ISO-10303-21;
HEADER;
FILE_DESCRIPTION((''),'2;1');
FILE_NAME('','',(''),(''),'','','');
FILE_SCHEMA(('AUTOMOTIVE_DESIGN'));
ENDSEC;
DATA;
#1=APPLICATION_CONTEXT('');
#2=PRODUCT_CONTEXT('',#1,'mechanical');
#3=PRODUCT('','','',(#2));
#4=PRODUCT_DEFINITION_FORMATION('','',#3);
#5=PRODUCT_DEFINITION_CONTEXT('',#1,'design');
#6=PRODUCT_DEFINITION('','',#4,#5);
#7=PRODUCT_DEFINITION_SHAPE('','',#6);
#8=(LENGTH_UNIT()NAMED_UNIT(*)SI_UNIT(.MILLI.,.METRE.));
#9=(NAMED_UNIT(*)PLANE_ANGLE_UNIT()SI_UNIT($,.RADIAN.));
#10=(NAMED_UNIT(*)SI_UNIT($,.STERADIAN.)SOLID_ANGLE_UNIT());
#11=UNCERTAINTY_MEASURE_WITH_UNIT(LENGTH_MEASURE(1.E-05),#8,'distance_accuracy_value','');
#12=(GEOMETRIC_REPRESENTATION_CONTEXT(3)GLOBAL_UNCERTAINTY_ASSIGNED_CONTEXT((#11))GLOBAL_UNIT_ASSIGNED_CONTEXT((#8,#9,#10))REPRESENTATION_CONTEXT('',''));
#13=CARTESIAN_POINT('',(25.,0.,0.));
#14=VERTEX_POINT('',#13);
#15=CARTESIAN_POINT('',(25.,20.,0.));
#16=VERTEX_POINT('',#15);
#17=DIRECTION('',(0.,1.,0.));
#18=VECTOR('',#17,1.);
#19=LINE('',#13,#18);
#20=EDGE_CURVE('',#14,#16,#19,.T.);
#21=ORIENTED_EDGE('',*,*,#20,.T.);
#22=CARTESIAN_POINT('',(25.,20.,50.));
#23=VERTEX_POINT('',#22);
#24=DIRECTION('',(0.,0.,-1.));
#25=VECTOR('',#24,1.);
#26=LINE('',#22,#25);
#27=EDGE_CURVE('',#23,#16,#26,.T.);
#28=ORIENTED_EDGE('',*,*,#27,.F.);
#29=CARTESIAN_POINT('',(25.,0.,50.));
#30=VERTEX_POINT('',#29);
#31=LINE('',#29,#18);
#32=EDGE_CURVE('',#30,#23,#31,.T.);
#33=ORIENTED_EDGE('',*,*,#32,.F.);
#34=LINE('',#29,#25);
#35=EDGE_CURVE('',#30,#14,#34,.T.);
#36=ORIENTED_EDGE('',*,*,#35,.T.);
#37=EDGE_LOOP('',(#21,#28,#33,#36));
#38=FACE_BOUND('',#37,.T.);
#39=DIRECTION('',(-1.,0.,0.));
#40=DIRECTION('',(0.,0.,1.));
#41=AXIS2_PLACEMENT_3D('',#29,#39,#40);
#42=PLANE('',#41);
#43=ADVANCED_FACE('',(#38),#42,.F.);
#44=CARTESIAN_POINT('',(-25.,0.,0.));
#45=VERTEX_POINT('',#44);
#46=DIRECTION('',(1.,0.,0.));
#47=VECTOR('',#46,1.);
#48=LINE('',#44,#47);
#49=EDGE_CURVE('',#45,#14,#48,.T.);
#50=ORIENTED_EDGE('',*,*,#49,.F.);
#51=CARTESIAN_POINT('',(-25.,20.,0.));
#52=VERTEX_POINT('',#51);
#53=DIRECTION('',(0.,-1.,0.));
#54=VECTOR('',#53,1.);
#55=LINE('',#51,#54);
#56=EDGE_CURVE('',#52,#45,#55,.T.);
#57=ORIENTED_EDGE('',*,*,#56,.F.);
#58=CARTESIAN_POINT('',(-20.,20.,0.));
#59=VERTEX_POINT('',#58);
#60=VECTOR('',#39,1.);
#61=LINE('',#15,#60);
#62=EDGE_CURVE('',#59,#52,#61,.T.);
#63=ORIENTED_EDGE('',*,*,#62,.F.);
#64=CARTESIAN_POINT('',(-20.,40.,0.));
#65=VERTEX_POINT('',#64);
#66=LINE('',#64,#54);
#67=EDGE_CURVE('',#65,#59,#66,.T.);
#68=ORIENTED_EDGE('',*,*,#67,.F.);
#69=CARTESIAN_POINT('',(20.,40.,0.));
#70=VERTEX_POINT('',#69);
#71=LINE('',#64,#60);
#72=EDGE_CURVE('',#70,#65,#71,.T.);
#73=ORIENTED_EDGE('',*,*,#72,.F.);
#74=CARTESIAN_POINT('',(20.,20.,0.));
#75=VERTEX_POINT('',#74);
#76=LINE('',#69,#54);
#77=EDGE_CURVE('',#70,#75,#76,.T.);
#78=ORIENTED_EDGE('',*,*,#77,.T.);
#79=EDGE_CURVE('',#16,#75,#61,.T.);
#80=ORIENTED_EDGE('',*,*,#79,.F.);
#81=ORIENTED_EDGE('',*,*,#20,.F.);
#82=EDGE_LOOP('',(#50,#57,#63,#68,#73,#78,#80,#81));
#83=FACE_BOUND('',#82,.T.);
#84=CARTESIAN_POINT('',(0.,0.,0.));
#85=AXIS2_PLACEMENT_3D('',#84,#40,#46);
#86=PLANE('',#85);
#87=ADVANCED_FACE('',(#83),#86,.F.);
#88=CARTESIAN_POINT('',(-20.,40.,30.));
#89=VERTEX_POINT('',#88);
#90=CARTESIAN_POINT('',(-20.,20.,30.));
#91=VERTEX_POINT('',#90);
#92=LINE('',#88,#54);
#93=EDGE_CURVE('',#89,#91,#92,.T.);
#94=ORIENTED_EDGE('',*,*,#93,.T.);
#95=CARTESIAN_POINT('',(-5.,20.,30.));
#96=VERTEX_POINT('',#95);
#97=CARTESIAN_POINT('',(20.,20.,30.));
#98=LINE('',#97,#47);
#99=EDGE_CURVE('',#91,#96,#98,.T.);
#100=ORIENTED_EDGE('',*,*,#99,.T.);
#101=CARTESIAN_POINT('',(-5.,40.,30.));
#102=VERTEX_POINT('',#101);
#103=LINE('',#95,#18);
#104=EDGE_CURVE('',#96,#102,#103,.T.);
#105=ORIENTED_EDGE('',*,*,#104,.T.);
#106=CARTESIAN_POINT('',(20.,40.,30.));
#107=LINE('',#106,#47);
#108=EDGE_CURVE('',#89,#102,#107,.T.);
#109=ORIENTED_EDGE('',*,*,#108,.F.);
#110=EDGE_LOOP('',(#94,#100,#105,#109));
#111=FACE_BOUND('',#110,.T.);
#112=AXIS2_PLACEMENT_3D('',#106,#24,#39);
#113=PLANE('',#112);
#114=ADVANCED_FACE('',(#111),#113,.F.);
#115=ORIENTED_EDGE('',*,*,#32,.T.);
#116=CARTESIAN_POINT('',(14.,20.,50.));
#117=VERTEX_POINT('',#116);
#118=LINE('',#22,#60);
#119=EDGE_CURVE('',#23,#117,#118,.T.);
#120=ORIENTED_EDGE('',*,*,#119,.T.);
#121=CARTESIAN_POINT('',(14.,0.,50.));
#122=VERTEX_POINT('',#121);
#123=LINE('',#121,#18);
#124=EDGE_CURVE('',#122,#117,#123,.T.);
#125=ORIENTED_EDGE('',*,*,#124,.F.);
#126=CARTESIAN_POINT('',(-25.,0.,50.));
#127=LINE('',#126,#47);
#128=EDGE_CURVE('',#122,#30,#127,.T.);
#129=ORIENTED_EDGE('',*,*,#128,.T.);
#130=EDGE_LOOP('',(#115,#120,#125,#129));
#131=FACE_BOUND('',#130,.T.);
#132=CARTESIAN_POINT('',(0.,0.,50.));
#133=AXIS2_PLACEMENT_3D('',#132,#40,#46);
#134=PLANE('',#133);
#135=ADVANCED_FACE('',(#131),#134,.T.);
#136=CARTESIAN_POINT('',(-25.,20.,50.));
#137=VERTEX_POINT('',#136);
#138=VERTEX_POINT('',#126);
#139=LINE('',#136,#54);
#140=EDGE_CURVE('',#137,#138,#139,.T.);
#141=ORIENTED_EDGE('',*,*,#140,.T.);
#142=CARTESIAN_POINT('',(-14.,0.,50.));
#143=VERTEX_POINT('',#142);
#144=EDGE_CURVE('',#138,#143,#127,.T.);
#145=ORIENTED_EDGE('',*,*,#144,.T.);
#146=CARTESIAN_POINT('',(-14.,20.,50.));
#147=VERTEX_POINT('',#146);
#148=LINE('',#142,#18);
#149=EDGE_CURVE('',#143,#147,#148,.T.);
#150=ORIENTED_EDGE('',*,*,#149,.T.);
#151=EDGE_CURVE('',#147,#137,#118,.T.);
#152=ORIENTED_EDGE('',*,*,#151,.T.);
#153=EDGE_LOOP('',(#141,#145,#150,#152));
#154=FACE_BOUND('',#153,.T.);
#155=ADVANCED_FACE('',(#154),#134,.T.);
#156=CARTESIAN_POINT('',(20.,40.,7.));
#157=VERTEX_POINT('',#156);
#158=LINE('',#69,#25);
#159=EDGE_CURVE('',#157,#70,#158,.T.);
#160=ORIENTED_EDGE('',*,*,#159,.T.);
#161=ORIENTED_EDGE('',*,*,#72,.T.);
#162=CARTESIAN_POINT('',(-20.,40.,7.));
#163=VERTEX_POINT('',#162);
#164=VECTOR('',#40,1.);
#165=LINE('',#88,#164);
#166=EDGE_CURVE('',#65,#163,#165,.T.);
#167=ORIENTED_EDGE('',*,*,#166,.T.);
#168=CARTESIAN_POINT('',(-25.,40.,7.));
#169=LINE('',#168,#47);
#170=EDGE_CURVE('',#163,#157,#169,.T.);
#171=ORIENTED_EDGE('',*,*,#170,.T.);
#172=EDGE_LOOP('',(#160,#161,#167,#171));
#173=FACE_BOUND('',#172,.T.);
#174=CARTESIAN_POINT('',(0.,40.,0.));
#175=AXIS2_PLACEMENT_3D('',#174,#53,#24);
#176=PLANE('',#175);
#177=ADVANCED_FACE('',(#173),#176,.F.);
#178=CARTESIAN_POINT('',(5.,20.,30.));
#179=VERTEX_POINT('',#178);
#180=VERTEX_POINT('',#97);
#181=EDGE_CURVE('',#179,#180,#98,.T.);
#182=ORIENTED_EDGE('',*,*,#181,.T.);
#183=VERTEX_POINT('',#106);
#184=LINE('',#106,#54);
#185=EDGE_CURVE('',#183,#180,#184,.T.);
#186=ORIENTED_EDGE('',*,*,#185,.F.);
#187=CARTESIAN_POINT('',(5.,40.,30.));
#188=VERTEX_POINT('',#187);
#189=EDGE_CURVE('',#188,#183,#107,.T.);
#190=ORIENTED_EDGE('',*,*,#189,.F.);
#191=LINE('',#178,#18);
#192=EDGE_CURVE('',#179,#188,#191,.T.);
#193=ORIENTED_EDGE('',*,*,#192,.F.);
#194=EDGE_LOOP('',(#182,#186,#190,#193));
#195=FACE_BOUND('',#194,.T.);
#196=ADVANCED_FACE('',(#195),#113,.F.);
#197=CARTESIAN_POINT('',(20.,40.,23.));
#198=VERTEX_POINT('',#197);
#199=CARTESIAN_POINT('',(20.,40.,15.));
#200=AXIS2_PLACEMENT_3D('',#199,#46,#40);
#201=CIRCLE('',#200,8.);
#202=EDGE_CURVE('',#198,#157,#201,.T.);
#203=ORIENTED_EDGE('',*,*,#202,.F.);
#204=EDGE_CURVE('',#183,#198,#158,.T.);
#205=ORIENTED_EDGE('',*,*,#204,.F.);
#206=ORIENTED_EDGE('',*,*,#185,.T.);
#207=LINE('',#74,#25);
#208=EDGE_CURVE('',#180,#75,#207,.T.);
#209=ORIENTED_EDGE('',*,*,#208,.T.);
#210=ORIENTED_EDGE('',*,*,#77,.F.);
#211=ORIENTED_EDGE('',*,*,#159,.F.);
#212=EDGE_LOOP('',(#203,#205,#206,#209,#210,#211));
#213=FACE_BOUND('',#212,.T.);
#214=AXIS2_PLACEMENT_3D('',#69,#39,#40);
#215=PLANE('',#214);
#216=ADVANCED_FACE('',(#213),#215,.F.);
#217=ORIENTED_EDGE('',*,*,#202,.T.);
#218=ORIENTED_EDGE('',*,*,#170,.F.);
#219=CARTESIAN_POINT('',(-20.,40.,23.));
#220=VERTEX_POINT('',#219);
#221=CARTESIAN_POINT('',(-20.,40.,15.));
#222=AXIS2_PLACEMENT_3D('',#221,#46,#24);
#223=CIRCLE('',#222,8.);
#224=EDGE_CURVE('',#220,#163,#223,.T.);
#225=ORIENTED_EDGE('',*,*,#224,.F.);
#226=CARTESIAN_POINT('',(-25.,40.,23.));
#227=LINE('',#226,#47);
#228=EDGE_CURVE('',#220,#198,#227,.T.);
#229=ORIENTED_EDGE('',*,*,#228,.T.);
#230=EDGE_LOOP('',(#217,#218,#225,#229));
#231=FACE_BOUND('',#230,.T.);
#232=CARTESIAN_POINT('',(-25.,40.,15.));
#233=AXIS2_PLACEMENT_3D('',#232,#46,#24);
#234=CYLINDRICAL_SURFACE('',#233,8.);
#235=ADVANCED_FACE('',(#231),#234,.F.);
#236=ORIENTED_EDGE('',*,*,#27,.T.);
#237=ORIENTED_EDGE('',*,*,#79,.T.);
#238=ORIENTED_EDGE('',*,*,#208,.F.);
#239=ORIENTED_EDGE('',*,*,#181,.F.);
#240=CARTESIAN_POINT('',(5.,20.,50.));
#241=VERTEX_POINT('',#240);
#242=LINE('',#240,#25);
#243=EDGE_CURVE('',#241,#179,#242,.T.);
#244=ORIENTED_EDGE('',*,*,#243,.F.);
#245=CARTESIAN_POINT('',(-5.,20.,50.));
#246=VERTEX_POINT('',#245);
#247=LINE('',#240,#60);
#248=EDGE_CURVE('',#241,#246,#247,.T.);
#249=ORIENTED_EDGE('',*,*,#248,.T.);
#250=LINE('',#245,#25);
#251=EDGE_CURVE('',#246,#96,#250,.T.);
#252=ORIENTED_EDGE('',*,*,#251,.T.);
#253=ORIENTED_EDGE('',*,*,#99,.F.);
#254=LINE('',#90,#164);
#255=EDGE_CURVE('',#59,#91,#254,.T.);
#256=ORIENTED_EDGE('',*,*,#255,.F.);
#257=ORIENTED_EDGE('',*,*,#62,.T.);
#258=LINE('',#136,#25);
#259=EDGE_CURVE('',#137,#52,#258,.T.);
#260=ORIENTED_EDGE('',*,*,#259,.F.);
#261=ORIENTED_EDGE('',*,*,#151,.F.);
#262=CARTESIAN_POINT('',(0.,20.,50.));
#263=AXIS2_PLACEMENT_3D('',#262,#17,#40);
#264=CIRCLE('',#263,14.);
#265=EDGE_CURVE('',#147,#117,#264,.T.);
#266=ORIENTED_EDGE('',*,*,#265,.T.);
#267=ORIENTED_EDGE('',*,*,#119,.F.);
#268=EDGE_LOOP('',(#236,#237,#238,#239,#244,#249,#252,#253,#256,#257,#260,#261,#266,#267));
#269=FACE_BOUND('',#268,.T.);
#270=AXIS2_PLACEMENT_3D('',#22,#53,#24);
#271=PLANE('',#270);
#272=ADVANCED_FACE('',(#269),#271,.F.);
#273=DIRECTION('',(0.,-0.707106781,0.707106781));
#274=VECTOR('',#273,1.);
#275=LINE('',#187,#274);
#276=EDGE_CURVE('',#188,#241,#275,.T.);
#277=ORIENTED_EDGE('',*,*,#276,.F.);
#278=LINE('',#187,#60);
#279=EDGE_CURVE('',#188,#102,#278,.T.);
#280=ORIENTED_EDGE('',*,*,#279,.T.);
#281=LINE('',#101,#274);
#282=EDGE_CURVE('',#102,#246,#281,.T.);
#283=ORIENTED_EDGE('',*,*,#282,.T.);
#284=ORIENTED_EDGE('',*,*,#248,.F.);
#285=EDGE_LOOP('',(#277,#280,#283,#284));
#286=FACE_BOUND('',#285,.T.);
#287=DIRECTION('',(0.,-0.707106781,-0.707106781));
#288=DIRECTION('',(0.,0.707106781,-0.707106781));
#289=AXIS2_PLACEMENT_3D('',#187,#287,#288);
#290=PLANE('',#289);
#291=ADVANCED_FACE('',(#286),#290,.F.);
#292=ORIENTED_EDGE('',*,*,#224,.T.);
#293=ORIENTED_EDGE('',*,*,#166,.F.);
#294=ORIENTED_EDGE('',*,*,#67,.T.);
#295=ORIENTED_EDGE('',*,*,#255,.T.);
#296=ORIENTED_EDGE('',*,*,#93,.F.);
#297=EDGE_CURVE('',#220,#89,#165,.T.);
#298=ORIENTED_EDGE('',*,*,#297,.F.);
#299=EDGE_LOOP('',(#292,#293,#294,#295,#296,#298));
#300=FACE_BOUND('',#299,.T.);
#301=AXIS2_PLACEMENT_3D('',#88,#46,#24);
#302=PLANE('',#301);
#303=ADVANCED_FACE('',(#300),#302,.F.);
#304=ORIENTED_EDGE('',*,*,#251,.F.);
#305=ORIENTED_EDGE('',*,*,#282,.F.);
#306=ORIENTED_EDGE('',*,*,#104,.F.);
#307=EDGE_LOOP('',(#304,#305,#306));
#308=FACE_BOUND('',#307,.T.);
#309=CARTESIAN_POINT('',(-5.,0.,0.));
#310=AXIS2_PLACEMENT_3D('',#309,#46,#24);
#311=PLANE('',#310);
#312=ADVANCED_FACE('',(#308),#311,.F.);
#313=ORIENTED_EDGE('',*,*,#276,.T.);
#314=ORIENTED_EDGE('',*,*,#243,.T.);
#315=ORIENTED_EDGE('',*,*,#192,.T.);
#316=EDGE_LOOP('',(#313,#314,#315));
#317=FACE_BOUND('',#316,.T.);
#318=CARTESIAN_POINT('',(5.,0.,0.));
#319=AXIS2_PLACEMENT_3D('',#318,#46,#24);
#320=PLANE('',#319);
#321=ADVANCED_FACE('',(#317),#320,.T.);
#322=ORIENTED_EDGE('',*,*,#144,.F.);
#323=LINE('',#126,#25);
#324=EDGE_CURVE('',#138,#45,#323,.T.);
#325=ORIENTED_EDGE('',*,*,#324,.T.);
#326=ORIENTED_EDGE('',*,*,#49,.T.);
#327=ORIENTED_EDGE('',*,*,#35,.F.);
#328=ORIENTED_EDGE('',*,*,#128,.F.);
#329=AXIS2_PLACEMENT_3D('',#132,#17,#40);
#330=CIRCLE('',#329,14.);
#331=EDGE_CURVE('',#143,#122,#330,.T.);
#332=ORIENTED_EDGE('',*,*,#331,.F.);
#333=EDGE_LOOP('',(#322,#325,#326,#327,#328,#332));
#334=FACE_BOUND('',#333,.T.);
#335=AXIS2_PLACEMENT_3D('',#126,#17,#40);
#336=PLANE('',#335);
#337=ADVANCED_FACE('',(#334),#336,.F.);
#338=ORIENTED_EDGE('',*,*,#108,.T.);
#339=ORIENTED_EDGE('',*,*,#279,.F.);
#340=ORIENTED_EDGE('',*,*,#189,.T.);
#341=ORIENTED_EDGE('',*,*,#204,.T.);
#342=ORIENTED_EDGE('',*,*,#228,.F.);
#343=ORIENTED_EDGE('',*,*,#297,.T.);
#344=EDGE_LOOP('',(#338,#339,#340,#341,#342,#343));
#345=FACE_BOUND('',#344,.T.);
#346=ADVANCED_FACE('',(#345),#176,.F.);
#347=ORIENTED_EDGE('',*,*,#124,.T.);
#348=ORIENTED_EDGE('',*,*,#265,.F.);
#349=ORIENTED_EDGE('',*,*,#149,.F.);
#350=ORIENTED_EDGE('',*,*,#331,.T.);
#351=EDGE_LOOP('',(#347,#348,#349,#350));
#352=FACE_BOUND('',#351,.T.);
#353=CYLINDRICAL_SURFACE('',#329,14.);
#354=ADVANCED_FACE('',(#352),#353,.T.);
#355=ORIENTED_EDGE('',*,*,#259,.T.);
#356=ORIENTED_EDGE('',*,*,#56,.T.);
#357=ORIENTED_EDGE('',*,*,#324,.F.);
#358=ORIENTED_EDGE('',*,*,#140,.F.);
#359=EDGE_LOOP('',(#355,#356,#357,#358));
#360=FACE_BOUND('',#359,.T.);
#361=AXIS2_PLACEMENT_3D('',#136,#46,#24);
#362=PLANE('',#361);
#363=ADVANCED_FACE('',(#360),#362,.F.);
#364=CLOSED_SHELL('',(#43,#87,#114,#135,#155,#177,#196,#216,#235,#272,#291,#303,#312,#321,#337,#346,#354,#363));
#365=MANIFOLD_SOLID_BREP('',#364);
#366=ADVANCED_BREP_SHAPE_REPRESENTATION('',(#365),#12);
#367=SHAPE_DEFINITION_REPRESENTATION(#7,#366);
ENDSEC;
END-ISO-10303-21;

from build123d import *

# Parameters (mm, degrees)
SKETCH1_W           = 50
SKETCH1_H           = 20
BOSS_EXTRUDE1_DEPTH = 50
SKETCH2_W           = 40
SKETCH2_H           = 30
BOSS_EXTRUDE2_DEPTH = 20
CUT_EXTRUDE1_DEPTH  = 79.262379212
BOSS_EXTRUDE3_DEPTH = 20
BOSS_EXTRUDE4_DEPTH = 5


with BuildPart() as part:
    # Sketch1 → Boss-Extrude1 (new body)
    with BuildSketch(Plane.XY):
        with Locations((0, 10)):
            Rectangle(SKETCH1_W, SKETCH1_H)
    extrude(amount=BOSS_EXTRUDE1_DEPTH)

    # Sketch2 → Boss-Extrude2 (add)
    with BuildSketch(Plane(origin=(0, 20, 0), x_dir=(1, 0, 0), z_dir=(0, 1, 0))):
        with Locations((0, -15)):
            Rectangle(SKETCH2_W, SKETCH2_H)
    extrude(amount=BOSS_EXTRUDE2_DEPTH)

    # Sketch3 → Cut-Extrude1 (cut, through all)
    with BuildSketch(Plane(origin=(20, 0, 0), x_dir=(0, 0, -1), z_dir=(1, 0, 0))):
        with BuildLine():
            Line((-23, 40), (-7, 40))
            ThreePointArc((-7, 40), (-15, 32), (-23, 40))
        make_face()
    extrude(amount=-CUT_EXTRUDE1_DEPTH, mode=Mode.SUBTRACT)

    # Sketch4 → Boss-Extrude3 (add)
    with BuildSketch(Plane(origin=(0, 20, 0), x_dir=(1, 0, 0), z_dir=(0, 1, 0))):
        with BuildLine():
            Line((14, -50), (-14, -50))
            ThreePointArc((-14, -50), (0, -64), (14, -50))
        make_face()
    extrude(amount=-BOSS_EXTRUDE3_DEPTH)

    # Sketch5 → Boss-Extrude4 (add, symmetric)
    with BuildSketch(Plane(origin=(0, 0, 0), x_dir=(0, 0, -1), z_dir=(1, 0, 0))):
        Polygon((-30, 20), (-30, 40), (-50, 20), align=None)
    extrude(amount=BOSS_EXTRUDE4_DEPTH, both=True)


solid = part.part
